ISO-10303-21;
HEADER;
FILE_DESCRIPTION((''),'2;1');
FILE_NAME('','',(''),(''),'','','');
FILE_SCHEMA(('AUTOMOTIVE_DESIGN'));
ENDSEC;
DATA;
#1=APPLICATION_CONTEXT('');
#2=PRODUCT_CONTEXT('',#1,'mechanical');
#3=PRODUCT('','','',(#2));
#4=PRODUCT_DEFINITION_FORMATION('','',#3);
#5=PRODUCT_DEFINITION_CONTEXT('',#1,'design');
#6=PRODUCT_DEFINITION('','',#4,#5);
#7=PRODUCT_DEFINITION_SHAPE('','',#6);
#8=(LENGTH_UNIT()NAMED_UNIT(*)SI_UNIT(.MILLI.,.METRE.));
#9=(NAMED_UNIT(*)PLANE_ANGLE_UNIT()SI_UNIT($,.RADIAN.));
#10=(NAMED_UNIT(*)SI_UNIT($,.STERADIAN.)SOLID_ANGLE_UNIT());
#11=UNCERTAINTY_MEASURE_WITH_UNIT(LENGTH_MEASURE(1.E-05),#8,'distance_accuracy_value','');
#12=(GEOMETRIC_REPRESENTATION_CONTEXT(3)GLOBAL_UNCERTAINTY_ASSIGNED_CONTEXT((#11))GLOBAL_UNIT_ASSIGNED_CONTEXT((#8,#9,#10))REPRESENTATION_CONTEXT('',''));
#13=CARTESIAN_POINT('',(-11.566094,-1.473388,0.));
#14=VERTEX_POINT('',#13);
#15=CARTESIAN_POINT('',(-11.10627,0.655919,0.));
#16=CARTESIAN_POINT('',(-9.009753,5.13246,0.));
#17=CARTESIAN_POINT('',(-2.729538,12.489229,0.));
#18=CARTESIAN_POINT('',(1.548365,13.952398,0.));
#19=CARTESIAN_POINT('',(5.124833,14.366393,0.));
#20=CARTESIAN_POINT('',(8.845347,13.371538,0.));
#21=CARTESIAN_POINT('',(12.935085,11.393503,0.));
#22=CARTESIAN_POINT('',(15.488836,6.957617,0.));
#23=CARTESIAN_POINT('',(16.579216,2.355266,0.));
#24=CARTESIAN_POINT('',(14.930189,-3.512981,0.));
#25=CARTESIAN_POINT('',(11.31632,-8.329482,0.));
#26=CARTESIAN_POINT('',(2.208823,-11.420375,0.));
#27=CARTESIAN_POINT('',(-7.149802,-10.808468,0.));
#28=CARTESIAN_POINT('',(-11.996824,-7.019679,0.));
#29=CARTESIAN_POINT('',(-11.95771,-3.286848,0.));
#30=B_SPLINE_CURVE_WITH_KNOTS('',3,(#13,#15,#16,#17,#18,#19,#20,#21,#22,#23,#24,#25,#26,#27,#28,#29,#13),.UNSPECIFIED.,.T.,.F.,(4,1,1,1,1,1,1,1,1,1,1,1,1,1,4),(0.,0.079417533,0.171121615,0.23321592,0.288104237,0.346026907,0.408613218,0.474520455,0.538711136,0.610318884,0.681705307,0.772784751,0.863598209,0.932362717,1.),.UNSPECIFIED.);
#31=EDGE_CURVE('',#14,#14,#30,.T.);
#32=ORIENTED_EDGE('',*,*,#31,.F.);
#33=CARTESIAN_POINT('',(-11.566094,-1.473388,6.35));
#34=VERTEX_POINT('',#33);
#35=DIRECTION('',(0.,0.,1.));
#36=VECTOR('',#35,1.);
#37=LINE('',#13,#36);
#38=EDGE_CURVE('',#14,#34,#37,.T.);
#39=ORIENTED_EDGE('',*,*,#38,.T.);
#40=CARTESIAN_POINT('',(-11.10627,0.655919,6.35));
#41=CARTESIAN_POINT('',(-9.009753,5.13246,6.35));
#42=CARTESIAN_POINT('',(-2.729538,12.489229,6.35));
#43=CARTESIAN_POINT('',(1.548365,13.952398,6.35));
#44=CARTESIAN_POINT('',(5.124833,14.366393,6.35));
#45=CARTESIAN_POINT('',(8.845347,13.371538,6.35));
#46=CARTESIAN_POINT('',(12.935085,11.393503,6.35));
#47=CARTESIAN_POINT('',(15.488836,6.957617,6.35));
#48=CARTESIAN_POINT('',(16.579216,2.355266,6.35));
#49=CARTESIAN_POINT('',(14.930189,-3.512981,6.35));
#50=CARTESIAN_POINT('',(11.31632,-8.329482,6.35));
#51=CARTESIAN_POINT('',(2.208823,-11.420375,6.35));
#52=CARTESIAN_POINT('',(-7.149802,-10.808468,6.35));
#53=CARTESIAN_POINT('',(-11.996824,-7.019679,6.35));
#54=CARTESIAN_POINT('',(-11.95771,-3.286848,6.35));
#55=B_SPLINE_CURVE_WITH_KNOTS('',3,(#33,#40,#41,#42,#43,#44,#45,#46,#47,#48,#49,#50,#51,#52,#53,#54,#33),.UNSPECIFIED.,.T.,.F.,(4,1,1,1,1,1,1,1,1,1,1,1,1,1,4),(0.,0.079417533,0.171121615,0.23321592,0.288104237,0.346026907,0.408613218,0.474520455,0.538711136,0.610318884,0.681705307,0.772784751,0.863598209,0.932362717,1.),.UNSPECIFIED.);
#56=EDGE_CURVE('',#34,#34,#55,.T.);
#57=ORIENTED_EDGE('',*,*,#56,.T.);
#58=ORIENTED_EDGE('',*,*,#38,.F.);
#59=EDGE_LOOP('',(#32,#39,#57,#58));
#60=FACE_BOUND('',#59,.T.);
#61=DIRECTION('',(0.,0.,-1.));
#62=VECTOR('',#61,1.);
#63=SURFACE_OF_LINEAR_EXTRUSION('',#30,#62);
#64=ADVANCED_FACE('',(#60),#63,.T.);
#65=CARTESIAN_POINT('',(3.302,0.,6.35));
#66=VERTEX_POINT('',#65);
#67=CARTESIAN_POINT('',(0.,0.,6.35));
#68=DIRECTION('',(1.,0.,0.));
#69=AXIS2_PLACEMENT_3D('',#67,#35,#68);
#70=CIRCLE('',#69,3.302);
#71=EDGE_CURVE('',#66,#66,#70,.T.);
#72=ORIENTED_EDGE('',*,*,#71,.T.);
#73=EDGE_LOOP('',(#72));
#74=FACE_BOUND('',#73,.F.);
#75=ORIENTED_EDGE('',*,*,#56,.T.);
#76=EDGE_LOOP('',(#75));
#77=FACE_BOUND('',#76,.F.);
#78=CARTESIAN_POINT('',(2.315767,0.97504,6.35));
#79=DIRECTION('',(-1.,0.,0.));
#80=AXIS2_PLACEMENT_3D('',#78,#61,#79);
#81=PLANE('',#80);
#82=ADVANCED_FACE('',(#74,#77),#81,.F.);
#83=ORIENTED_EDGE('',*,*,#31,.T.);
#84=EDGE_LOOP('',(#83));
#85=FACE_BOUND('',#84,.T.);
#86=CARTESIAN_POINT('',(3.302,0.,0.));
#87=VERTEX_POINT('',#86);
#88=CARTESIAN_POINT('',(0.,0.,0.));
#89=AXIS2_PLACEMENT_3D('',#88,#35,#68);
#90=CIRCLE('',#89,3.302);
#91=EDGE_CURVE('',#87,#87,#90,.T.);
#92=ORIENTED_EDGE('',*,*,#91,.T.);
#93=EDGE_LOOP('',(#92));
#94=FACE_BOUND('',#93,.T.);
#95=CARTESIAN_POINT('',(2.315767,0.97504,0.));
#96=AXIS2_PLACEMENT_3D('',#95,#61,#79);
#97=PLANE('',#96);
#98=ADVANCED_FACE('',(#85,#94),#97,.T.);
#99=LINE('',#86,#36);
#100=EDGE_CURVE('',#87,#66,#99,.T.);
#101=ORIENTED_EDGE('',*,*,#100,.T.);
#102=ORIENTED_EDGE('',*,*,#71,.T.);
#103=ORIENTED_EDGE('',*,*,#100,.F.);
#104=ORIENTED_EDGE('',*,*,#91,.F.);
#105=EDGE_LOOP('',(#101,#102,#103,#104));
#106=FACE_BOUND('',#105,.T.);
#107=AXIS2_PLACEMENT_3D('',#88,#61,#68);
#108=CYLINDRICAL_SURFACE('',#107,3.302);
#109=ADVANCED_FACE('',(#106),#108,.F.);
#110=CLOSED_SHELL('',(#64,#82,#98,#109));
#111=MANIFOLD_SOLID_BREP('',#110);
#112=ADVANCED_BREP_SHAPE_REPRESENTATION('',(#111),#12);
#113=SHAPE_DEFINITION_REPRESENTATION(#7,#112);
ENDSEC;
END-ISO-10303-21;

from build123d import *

# Parameters (mm, degrees)
F0_R     = 3.302
F1_DEPTH = 6.35


with BuildPart() as f1:
    # F0 (on Top) → F1 (new body)
    with BuildSketch(Plane.XY):
        with BuildLine():
            add(Edge.make_bspline(
                [(-11.5660938129, -1.4733877635), (-11.1062704307, 0.6559187017), (-9.0097533948, 5.1324601788), (-2.7295376658, 12.4892291958), (1.5483651948, 13.9523977858), (5.124833313, 14.3663932302), (8.8453467505, 13.3715376496), (12.9350845742, 11.3935026317), (15.4888356173, 6.9576168257), (16.5792158925, 2.3552663623), (14.9301892557, -3.5129813916), (11.3163198137, -8.3294822972), (2.2088228014, -11.4203751261), (-7.1498018606, -10.8084677232), (-11.9968241476, -7.0196786696), (-11.9577101631, -3.2868475799), (-11.5660938129, -1.4733877635)],
                knots=[0, 0, 0, 0, 0.0794175326, 0.1711216146, 0.2332159203, 0.2881042373, 0.3460269066, 0.4086132178, 0.4745204552, 0.5387111359, 0.6103188841, 0.6817053067, 0.7727847507, 0.8635982088, 0.9323627169, 1, 1, 1, 1], degree=3))
        make_face()
        Circle(F0_R, mode=Mode.SUBTRACT)
    extrude(amount=F1_DEPTH)


solid = f1.part
